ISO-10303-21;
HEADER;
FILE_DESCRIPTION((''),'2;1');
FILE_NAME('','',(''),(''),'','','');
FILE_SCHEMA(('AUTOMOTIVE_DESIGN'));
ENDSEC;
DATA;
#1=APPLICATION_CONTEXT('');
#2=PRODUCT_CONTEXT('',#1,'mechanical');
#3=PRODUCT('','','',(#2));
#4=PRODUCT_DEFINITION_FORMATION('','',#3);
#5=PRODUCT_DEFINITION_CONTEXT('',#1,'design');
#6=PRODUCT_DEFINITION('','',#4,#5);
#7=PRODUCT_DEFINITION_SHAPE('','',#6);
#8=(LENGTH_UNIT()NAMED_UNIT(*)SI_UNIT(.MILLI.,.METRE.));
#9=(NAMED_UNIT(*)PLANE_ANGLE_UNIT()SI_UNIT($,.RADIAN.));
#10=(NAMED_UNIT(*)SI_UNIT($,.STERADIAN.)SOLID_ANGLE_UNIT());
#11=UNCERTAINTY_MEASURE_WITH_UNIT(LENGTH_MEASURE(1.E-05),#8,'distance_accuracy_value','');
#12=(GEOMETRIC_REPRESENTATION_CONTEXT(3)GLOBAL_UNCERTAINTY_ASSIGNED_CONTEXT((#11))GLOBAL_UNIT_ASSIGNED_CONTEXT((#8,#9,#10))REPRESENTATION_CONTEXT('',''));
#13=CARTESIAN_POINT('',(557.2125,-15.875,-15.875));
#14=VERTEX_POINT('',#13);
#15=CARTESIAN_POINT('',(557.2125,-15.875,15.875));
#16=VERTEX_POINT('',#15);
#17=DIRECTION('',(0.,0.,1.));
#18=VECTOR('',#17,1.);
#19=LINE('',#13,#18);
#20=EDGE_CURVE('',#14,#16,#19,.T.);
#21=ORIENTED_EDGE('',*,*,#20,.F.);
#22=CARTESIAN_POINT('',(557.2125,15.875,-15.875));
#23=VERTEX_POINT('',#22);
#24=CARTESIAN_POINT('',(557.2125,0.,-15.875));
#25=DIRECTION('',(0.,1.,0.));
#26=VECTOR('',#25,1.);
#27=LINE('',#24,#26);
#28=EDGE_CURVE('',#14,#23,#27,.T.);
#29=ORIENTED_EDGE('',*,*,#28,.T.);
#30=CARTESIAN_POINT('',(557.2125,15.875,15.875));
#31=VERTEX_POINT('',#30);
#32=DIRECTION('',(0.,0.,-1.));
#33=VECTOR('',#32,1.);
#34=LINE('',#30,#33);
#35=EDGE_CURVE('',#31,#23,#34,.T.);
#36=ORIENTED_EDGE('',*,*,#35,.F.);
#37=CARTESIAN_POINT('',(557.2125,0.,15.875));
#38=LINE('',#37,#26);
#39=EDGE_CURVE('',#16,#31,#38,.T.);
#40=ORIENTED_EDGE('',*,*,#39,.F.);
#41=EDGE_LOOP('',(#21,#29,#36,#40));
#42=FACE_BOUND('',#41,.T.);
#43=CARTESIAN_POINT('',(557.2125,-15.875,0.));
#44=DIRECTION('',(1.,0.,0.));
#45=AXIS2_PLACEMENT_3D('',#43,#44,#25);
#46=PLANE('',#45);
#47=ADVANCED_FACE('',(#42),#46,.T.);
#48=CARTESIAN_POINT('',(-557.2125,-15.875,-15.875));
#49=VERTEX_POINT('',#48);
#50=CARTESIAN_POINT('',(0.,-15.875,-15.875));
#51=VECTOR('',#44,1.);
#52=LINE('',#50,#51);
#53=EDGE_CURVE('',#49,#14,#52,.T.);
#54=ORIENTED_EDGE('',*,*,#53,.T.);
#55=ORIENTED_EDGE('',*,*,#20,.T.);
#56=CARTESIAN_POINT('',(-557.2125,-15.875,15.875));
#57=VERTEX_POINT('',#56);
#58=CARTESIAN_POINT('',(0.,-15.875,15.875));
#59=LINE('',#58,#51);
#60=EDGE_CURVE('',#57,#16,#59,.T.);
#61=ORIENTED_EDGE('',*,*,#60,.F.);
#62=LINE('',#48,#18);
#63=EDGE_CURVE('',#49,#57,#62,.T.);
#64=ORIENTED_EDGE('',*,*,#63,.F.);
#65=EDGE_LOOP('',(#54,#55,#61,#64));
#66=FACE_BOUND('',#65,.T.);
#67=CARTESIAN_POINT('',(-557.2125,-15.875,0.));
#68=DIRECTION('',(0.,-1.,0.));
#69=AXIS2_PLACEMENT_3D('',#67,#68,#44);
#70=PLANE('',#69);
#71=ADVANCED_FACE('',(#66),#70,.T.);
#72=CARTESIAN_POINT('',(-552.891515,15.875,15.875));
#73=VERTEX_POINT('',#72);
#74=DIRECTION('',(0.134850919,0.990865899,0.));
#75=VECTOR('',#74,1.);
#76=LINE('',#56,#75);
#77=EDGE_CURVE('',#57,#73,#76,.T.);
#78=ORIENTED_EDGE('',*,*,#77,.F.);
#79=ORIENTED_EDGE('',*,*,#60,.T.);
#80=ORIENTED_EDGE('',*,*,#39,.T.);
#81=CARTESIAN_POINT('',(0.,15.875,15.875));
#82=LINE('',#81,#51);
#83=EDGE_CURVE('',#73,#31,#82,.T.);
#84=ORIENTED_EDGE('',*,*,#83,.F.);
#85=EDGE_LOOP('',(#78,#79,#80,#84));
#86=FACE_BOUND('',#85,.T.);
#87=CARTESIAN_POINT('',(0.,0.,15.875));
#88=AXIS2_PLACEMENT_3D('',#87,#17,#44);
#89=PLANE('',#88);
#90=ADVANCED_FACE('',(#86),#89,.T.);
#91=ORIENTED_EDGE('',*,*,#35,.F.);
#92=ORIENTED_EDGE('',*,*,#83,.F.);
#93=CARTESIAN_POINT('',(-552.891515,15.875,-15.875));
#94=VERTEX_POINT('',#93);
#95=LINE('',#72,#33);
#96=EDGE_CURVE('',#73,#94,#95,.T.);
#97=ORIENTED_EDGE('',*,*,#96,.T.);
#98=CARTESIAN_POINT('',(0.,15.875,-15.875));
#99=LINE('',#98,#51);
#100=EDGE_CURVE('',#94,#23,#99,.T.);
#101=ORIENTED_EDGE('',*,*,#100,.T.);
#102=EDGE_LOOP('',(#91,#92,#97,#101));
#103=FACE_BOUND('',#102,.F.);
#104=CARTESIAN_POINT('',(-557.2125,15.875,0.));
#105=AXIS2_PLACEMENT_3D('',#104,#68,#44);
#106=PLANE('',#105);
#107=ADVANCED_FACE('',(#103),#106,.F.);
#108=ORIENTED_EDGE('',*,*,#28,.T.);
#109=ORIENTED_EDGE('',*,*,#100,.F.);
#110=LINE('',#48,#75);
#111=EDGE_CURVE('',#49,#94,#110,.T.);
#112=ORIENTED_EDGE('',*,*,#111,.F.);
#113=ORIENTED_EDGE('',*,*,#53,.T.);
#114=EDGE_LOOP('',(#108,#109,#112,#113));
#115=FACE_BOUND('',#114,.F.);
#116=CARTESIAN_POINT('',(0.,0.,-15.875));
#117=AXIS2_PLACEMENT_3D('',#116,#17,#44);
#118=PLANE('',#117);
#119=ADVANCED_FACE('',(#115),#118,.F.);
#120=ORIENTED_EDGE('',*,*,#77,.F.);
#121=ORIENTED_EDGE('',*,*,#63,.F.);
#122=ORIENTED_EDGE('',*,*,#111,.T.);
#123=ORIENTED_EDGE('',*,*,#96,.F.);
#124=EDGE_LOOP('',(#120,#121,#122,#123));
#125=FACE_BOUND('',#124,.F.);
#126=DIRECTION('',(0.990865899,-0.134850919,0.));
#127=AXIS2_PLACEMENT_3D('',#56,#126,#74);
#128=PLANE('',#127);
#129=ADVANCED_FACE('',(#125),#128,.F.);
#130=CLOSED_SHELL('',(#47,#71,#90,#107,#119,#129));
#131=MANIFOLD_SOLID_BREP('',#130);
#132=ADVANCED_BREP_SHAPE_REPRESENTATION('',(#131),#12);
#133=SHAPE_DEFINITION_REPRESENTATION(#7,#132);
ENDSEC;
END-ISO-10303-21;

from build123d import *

# Parameters (mm, degrees)
F0_W     = 1114.425
F0_H     = 31.75
F1_DEPTH = 15.875
F3_DEPTH = 31.75


with BuildPart() as f1:
    # F0 (on Top) → F1 (new body, symmetric)
    with BuildSketch(Plane.XY):
        Rectangle(F0_W, F0_H)
    extrude(amount=F1_DEPTH, both=True)

    # F2 (on face) → F3 (cut)
    with BuildSketch(Plane.XY.offset(15.875)):
        Polygon((-557.2125, 15.875), (-557.2125, -15.875), (-552.891515, 15.875), align=None)
    extrude(amount=-F3_DEPTH, mode=Mode.SUBTRACT)


solid = f1.part
